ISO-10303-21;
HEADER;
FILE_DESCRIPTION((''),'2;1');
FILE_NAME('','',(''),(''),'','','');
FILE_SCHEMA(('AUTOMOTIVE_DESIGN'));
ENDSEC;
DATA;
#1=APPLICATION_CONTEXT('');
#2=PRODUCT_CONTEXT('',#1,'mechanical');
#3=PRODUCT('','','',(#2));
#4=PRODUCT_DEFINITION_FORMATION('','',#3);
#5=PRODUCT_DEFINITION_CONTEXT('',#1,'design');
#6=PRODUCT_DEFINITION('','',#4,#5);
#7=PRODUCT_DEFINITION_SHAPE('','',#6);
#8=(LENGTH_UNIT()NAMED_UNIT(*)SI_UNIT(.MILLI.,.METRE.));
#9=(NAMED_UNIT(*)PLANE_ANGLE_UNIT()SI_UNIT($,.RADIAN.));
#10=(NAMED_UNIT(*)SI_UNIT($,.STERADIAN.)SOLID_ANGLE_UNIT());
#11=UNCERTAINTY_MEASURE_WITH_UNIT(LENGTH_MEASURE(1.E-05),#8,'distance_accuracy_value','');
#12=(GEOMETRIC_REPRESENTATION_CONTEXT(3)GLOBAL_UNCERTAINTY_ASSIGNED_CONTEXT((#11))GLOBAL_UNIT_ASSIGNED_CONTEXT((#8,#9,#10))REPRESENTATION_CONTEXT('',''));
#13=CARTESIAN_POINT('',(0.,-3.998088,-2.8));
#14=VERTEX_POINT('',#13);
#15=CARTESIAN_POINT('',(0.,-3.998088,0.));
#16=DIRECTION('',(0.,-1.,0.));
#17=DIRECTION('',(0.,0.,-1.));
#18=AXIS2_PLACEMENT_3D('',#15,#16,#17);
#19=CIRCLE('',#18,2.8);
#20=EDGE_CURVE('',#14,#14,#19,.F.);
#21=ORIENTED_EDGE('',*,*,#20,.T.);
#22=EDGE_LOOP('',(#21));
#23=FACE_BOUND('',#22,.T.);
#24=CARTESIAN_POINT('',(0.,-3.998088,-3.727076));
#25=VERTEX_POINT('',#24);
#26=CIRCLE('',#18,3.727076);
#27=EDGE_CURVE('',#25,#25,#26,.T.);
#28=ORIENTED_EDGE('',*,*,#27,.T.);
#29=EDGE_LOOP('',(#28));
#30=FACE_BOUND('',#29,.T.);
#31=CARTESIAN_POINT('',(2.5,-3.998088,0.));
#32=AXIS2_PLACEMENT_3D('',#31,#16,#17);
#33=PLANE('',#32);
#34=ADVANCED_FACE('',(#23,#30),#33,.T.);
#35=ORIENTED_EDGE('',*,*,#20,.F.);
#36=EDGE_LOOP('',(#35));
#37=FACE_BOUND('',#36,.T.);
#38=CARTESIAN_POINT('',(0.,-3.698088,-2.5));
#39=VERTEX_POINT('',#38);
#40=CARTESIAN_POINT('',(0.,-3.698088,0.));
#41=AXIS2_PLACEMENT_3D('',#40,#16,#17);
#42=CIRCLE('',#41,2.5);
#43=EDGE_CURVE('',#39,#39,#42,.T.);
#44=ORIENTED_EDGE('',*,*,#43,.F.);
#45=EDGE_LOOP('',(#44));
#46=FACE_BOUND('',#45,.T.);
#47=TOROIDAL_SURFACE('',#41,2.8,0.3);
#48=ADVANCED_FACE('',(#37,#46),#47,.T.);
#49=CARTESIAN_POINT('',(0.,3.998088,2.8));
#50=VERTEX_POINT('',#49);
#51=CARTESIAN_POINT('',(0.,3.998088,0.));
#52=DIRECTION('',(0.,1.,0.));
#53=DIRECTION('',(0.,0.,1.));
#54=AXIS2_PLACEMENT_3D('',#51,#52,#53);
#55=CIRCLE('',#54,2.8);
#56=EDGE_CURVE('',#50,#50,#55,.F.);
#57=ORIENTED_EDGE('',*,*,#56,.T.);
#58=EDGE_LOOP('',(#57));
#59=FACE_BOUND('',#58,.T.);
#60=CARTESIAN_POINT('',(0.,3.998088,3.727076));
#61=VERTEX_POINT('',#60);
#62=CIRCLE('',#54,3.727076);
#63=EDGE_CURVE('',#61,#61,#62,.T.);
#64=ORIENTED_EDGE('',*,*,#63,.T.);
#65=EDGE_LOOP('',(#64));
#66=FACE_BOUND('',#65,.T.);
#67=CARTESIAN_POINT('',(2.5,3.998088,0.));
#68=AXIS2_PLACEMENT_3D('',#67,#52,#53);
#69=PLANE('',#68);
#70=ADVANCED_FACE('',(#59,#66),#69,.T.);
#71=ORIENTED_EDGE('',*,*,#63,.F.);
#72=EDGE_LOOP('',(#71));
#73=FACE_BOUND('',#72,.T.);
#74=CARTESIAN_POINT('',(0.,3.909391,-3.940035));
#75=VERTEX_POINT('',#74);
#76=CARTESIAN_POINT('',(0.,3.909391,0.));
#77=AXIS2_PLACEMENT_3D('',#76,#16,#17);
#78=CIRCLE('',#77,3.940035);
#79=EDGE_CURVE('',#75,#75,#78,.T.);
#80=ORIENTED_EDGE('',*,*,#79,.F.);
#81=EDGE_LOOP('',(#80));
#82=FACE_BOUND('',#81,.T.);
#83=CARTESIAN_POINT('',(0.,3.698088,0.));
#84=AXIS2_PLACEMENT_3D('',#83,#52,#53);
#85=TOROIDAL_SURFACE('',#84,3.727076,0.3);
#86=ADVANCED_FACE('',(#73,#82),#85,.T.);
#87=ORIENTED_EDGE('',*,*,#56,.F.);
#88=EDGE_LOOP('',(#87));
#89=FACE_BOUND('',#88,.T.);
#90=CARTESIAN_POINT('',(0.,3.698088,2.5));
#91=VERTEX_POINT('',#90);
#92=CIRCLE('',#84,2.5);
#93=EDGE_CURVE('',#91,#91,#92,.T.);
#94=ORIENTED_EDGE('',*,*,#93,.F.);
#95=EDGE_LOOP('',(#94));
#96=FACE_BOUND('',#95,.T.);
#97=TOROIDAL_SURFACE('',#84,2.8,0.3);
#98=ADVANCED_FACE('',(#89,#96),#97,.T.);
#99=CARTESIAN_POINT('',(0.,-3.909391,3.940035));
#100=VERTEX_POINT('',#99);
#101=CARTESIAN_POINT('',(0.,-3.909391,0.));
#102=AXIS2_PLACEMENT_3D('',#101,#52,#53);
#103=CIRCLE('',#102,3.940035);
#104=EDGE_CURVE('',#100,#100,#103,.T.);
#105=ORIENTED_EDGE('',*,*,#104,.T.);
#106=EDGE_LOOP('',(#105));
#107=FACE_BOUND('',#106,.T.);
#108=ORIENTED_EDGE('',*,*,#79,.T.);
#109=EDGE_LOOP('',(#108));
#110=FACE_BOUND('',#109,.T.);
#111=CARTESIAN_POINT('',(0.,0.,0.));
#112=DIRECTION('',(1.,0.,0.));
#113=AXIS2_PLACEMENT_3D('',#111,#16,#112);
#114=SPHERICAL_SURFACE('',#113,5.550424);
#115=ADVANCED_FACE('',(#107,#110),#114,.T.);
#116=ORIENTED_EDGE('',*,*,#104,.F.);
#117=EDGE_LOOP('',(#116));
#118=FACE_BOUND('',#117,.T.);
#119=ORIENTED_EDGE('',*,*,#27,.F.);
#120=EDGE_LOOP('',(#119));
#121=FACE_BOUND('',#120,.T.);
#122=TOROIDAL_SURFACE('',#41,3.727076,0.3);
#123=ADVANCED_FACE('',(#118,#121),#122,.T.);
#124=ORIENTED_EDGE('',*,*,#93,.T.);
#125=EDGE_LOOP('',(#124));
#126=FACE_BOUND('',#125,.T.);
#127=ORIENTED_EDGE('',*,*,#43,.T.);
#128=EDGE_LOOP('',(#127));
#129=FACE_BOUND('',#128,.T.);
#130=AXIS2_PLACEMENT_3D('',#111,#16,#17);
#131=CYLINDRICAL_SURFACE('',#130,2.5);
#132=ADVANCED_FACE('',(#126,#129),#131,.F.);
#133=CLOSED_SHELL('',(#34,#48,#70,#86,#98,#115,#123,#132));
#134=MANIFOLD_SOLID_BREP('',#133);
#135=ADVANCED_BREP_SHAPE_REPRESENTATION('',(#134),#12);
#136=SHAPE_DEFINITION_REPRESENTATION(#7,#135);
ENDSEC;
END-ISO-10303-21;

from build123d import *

# Parameters (mm, degrees)
FILLET1_R = 0.3


with BuildPart() as part:
    # Sketch2 → Revolve1 (revolve)
    with BuildSketch(Plane.XY):
        with BuildLine():
            Line((2.5, -3.998088338), (2.5, 3.998088338))
            Line((2.5, 3.998088338), (3.85, 3.998088338))
            ThreePointArc((3.85, 3.998088338), (5.55042434, 0), (3.85, -3.998088338))
            Line((3.85, -3.998088338), (2.5, -3.998088338))
        make_face()
    revolve(axis=Axis((0, 0, 0), (0, 1, 0)))

    # Fillet1
    fillet1_edges = [part.edges().sort_by_distance(p)[0] for p in [
        (-3.85, 3.998088338, 0),
        (-3.85, -3.998088338, 0),
        (-2.5, -3.998088338, 0),
        (-2.5, 3.998088338, 0),
    ]]
    fillet(fillet1_edges, radius=FILLET1_R)


solid = part.part
